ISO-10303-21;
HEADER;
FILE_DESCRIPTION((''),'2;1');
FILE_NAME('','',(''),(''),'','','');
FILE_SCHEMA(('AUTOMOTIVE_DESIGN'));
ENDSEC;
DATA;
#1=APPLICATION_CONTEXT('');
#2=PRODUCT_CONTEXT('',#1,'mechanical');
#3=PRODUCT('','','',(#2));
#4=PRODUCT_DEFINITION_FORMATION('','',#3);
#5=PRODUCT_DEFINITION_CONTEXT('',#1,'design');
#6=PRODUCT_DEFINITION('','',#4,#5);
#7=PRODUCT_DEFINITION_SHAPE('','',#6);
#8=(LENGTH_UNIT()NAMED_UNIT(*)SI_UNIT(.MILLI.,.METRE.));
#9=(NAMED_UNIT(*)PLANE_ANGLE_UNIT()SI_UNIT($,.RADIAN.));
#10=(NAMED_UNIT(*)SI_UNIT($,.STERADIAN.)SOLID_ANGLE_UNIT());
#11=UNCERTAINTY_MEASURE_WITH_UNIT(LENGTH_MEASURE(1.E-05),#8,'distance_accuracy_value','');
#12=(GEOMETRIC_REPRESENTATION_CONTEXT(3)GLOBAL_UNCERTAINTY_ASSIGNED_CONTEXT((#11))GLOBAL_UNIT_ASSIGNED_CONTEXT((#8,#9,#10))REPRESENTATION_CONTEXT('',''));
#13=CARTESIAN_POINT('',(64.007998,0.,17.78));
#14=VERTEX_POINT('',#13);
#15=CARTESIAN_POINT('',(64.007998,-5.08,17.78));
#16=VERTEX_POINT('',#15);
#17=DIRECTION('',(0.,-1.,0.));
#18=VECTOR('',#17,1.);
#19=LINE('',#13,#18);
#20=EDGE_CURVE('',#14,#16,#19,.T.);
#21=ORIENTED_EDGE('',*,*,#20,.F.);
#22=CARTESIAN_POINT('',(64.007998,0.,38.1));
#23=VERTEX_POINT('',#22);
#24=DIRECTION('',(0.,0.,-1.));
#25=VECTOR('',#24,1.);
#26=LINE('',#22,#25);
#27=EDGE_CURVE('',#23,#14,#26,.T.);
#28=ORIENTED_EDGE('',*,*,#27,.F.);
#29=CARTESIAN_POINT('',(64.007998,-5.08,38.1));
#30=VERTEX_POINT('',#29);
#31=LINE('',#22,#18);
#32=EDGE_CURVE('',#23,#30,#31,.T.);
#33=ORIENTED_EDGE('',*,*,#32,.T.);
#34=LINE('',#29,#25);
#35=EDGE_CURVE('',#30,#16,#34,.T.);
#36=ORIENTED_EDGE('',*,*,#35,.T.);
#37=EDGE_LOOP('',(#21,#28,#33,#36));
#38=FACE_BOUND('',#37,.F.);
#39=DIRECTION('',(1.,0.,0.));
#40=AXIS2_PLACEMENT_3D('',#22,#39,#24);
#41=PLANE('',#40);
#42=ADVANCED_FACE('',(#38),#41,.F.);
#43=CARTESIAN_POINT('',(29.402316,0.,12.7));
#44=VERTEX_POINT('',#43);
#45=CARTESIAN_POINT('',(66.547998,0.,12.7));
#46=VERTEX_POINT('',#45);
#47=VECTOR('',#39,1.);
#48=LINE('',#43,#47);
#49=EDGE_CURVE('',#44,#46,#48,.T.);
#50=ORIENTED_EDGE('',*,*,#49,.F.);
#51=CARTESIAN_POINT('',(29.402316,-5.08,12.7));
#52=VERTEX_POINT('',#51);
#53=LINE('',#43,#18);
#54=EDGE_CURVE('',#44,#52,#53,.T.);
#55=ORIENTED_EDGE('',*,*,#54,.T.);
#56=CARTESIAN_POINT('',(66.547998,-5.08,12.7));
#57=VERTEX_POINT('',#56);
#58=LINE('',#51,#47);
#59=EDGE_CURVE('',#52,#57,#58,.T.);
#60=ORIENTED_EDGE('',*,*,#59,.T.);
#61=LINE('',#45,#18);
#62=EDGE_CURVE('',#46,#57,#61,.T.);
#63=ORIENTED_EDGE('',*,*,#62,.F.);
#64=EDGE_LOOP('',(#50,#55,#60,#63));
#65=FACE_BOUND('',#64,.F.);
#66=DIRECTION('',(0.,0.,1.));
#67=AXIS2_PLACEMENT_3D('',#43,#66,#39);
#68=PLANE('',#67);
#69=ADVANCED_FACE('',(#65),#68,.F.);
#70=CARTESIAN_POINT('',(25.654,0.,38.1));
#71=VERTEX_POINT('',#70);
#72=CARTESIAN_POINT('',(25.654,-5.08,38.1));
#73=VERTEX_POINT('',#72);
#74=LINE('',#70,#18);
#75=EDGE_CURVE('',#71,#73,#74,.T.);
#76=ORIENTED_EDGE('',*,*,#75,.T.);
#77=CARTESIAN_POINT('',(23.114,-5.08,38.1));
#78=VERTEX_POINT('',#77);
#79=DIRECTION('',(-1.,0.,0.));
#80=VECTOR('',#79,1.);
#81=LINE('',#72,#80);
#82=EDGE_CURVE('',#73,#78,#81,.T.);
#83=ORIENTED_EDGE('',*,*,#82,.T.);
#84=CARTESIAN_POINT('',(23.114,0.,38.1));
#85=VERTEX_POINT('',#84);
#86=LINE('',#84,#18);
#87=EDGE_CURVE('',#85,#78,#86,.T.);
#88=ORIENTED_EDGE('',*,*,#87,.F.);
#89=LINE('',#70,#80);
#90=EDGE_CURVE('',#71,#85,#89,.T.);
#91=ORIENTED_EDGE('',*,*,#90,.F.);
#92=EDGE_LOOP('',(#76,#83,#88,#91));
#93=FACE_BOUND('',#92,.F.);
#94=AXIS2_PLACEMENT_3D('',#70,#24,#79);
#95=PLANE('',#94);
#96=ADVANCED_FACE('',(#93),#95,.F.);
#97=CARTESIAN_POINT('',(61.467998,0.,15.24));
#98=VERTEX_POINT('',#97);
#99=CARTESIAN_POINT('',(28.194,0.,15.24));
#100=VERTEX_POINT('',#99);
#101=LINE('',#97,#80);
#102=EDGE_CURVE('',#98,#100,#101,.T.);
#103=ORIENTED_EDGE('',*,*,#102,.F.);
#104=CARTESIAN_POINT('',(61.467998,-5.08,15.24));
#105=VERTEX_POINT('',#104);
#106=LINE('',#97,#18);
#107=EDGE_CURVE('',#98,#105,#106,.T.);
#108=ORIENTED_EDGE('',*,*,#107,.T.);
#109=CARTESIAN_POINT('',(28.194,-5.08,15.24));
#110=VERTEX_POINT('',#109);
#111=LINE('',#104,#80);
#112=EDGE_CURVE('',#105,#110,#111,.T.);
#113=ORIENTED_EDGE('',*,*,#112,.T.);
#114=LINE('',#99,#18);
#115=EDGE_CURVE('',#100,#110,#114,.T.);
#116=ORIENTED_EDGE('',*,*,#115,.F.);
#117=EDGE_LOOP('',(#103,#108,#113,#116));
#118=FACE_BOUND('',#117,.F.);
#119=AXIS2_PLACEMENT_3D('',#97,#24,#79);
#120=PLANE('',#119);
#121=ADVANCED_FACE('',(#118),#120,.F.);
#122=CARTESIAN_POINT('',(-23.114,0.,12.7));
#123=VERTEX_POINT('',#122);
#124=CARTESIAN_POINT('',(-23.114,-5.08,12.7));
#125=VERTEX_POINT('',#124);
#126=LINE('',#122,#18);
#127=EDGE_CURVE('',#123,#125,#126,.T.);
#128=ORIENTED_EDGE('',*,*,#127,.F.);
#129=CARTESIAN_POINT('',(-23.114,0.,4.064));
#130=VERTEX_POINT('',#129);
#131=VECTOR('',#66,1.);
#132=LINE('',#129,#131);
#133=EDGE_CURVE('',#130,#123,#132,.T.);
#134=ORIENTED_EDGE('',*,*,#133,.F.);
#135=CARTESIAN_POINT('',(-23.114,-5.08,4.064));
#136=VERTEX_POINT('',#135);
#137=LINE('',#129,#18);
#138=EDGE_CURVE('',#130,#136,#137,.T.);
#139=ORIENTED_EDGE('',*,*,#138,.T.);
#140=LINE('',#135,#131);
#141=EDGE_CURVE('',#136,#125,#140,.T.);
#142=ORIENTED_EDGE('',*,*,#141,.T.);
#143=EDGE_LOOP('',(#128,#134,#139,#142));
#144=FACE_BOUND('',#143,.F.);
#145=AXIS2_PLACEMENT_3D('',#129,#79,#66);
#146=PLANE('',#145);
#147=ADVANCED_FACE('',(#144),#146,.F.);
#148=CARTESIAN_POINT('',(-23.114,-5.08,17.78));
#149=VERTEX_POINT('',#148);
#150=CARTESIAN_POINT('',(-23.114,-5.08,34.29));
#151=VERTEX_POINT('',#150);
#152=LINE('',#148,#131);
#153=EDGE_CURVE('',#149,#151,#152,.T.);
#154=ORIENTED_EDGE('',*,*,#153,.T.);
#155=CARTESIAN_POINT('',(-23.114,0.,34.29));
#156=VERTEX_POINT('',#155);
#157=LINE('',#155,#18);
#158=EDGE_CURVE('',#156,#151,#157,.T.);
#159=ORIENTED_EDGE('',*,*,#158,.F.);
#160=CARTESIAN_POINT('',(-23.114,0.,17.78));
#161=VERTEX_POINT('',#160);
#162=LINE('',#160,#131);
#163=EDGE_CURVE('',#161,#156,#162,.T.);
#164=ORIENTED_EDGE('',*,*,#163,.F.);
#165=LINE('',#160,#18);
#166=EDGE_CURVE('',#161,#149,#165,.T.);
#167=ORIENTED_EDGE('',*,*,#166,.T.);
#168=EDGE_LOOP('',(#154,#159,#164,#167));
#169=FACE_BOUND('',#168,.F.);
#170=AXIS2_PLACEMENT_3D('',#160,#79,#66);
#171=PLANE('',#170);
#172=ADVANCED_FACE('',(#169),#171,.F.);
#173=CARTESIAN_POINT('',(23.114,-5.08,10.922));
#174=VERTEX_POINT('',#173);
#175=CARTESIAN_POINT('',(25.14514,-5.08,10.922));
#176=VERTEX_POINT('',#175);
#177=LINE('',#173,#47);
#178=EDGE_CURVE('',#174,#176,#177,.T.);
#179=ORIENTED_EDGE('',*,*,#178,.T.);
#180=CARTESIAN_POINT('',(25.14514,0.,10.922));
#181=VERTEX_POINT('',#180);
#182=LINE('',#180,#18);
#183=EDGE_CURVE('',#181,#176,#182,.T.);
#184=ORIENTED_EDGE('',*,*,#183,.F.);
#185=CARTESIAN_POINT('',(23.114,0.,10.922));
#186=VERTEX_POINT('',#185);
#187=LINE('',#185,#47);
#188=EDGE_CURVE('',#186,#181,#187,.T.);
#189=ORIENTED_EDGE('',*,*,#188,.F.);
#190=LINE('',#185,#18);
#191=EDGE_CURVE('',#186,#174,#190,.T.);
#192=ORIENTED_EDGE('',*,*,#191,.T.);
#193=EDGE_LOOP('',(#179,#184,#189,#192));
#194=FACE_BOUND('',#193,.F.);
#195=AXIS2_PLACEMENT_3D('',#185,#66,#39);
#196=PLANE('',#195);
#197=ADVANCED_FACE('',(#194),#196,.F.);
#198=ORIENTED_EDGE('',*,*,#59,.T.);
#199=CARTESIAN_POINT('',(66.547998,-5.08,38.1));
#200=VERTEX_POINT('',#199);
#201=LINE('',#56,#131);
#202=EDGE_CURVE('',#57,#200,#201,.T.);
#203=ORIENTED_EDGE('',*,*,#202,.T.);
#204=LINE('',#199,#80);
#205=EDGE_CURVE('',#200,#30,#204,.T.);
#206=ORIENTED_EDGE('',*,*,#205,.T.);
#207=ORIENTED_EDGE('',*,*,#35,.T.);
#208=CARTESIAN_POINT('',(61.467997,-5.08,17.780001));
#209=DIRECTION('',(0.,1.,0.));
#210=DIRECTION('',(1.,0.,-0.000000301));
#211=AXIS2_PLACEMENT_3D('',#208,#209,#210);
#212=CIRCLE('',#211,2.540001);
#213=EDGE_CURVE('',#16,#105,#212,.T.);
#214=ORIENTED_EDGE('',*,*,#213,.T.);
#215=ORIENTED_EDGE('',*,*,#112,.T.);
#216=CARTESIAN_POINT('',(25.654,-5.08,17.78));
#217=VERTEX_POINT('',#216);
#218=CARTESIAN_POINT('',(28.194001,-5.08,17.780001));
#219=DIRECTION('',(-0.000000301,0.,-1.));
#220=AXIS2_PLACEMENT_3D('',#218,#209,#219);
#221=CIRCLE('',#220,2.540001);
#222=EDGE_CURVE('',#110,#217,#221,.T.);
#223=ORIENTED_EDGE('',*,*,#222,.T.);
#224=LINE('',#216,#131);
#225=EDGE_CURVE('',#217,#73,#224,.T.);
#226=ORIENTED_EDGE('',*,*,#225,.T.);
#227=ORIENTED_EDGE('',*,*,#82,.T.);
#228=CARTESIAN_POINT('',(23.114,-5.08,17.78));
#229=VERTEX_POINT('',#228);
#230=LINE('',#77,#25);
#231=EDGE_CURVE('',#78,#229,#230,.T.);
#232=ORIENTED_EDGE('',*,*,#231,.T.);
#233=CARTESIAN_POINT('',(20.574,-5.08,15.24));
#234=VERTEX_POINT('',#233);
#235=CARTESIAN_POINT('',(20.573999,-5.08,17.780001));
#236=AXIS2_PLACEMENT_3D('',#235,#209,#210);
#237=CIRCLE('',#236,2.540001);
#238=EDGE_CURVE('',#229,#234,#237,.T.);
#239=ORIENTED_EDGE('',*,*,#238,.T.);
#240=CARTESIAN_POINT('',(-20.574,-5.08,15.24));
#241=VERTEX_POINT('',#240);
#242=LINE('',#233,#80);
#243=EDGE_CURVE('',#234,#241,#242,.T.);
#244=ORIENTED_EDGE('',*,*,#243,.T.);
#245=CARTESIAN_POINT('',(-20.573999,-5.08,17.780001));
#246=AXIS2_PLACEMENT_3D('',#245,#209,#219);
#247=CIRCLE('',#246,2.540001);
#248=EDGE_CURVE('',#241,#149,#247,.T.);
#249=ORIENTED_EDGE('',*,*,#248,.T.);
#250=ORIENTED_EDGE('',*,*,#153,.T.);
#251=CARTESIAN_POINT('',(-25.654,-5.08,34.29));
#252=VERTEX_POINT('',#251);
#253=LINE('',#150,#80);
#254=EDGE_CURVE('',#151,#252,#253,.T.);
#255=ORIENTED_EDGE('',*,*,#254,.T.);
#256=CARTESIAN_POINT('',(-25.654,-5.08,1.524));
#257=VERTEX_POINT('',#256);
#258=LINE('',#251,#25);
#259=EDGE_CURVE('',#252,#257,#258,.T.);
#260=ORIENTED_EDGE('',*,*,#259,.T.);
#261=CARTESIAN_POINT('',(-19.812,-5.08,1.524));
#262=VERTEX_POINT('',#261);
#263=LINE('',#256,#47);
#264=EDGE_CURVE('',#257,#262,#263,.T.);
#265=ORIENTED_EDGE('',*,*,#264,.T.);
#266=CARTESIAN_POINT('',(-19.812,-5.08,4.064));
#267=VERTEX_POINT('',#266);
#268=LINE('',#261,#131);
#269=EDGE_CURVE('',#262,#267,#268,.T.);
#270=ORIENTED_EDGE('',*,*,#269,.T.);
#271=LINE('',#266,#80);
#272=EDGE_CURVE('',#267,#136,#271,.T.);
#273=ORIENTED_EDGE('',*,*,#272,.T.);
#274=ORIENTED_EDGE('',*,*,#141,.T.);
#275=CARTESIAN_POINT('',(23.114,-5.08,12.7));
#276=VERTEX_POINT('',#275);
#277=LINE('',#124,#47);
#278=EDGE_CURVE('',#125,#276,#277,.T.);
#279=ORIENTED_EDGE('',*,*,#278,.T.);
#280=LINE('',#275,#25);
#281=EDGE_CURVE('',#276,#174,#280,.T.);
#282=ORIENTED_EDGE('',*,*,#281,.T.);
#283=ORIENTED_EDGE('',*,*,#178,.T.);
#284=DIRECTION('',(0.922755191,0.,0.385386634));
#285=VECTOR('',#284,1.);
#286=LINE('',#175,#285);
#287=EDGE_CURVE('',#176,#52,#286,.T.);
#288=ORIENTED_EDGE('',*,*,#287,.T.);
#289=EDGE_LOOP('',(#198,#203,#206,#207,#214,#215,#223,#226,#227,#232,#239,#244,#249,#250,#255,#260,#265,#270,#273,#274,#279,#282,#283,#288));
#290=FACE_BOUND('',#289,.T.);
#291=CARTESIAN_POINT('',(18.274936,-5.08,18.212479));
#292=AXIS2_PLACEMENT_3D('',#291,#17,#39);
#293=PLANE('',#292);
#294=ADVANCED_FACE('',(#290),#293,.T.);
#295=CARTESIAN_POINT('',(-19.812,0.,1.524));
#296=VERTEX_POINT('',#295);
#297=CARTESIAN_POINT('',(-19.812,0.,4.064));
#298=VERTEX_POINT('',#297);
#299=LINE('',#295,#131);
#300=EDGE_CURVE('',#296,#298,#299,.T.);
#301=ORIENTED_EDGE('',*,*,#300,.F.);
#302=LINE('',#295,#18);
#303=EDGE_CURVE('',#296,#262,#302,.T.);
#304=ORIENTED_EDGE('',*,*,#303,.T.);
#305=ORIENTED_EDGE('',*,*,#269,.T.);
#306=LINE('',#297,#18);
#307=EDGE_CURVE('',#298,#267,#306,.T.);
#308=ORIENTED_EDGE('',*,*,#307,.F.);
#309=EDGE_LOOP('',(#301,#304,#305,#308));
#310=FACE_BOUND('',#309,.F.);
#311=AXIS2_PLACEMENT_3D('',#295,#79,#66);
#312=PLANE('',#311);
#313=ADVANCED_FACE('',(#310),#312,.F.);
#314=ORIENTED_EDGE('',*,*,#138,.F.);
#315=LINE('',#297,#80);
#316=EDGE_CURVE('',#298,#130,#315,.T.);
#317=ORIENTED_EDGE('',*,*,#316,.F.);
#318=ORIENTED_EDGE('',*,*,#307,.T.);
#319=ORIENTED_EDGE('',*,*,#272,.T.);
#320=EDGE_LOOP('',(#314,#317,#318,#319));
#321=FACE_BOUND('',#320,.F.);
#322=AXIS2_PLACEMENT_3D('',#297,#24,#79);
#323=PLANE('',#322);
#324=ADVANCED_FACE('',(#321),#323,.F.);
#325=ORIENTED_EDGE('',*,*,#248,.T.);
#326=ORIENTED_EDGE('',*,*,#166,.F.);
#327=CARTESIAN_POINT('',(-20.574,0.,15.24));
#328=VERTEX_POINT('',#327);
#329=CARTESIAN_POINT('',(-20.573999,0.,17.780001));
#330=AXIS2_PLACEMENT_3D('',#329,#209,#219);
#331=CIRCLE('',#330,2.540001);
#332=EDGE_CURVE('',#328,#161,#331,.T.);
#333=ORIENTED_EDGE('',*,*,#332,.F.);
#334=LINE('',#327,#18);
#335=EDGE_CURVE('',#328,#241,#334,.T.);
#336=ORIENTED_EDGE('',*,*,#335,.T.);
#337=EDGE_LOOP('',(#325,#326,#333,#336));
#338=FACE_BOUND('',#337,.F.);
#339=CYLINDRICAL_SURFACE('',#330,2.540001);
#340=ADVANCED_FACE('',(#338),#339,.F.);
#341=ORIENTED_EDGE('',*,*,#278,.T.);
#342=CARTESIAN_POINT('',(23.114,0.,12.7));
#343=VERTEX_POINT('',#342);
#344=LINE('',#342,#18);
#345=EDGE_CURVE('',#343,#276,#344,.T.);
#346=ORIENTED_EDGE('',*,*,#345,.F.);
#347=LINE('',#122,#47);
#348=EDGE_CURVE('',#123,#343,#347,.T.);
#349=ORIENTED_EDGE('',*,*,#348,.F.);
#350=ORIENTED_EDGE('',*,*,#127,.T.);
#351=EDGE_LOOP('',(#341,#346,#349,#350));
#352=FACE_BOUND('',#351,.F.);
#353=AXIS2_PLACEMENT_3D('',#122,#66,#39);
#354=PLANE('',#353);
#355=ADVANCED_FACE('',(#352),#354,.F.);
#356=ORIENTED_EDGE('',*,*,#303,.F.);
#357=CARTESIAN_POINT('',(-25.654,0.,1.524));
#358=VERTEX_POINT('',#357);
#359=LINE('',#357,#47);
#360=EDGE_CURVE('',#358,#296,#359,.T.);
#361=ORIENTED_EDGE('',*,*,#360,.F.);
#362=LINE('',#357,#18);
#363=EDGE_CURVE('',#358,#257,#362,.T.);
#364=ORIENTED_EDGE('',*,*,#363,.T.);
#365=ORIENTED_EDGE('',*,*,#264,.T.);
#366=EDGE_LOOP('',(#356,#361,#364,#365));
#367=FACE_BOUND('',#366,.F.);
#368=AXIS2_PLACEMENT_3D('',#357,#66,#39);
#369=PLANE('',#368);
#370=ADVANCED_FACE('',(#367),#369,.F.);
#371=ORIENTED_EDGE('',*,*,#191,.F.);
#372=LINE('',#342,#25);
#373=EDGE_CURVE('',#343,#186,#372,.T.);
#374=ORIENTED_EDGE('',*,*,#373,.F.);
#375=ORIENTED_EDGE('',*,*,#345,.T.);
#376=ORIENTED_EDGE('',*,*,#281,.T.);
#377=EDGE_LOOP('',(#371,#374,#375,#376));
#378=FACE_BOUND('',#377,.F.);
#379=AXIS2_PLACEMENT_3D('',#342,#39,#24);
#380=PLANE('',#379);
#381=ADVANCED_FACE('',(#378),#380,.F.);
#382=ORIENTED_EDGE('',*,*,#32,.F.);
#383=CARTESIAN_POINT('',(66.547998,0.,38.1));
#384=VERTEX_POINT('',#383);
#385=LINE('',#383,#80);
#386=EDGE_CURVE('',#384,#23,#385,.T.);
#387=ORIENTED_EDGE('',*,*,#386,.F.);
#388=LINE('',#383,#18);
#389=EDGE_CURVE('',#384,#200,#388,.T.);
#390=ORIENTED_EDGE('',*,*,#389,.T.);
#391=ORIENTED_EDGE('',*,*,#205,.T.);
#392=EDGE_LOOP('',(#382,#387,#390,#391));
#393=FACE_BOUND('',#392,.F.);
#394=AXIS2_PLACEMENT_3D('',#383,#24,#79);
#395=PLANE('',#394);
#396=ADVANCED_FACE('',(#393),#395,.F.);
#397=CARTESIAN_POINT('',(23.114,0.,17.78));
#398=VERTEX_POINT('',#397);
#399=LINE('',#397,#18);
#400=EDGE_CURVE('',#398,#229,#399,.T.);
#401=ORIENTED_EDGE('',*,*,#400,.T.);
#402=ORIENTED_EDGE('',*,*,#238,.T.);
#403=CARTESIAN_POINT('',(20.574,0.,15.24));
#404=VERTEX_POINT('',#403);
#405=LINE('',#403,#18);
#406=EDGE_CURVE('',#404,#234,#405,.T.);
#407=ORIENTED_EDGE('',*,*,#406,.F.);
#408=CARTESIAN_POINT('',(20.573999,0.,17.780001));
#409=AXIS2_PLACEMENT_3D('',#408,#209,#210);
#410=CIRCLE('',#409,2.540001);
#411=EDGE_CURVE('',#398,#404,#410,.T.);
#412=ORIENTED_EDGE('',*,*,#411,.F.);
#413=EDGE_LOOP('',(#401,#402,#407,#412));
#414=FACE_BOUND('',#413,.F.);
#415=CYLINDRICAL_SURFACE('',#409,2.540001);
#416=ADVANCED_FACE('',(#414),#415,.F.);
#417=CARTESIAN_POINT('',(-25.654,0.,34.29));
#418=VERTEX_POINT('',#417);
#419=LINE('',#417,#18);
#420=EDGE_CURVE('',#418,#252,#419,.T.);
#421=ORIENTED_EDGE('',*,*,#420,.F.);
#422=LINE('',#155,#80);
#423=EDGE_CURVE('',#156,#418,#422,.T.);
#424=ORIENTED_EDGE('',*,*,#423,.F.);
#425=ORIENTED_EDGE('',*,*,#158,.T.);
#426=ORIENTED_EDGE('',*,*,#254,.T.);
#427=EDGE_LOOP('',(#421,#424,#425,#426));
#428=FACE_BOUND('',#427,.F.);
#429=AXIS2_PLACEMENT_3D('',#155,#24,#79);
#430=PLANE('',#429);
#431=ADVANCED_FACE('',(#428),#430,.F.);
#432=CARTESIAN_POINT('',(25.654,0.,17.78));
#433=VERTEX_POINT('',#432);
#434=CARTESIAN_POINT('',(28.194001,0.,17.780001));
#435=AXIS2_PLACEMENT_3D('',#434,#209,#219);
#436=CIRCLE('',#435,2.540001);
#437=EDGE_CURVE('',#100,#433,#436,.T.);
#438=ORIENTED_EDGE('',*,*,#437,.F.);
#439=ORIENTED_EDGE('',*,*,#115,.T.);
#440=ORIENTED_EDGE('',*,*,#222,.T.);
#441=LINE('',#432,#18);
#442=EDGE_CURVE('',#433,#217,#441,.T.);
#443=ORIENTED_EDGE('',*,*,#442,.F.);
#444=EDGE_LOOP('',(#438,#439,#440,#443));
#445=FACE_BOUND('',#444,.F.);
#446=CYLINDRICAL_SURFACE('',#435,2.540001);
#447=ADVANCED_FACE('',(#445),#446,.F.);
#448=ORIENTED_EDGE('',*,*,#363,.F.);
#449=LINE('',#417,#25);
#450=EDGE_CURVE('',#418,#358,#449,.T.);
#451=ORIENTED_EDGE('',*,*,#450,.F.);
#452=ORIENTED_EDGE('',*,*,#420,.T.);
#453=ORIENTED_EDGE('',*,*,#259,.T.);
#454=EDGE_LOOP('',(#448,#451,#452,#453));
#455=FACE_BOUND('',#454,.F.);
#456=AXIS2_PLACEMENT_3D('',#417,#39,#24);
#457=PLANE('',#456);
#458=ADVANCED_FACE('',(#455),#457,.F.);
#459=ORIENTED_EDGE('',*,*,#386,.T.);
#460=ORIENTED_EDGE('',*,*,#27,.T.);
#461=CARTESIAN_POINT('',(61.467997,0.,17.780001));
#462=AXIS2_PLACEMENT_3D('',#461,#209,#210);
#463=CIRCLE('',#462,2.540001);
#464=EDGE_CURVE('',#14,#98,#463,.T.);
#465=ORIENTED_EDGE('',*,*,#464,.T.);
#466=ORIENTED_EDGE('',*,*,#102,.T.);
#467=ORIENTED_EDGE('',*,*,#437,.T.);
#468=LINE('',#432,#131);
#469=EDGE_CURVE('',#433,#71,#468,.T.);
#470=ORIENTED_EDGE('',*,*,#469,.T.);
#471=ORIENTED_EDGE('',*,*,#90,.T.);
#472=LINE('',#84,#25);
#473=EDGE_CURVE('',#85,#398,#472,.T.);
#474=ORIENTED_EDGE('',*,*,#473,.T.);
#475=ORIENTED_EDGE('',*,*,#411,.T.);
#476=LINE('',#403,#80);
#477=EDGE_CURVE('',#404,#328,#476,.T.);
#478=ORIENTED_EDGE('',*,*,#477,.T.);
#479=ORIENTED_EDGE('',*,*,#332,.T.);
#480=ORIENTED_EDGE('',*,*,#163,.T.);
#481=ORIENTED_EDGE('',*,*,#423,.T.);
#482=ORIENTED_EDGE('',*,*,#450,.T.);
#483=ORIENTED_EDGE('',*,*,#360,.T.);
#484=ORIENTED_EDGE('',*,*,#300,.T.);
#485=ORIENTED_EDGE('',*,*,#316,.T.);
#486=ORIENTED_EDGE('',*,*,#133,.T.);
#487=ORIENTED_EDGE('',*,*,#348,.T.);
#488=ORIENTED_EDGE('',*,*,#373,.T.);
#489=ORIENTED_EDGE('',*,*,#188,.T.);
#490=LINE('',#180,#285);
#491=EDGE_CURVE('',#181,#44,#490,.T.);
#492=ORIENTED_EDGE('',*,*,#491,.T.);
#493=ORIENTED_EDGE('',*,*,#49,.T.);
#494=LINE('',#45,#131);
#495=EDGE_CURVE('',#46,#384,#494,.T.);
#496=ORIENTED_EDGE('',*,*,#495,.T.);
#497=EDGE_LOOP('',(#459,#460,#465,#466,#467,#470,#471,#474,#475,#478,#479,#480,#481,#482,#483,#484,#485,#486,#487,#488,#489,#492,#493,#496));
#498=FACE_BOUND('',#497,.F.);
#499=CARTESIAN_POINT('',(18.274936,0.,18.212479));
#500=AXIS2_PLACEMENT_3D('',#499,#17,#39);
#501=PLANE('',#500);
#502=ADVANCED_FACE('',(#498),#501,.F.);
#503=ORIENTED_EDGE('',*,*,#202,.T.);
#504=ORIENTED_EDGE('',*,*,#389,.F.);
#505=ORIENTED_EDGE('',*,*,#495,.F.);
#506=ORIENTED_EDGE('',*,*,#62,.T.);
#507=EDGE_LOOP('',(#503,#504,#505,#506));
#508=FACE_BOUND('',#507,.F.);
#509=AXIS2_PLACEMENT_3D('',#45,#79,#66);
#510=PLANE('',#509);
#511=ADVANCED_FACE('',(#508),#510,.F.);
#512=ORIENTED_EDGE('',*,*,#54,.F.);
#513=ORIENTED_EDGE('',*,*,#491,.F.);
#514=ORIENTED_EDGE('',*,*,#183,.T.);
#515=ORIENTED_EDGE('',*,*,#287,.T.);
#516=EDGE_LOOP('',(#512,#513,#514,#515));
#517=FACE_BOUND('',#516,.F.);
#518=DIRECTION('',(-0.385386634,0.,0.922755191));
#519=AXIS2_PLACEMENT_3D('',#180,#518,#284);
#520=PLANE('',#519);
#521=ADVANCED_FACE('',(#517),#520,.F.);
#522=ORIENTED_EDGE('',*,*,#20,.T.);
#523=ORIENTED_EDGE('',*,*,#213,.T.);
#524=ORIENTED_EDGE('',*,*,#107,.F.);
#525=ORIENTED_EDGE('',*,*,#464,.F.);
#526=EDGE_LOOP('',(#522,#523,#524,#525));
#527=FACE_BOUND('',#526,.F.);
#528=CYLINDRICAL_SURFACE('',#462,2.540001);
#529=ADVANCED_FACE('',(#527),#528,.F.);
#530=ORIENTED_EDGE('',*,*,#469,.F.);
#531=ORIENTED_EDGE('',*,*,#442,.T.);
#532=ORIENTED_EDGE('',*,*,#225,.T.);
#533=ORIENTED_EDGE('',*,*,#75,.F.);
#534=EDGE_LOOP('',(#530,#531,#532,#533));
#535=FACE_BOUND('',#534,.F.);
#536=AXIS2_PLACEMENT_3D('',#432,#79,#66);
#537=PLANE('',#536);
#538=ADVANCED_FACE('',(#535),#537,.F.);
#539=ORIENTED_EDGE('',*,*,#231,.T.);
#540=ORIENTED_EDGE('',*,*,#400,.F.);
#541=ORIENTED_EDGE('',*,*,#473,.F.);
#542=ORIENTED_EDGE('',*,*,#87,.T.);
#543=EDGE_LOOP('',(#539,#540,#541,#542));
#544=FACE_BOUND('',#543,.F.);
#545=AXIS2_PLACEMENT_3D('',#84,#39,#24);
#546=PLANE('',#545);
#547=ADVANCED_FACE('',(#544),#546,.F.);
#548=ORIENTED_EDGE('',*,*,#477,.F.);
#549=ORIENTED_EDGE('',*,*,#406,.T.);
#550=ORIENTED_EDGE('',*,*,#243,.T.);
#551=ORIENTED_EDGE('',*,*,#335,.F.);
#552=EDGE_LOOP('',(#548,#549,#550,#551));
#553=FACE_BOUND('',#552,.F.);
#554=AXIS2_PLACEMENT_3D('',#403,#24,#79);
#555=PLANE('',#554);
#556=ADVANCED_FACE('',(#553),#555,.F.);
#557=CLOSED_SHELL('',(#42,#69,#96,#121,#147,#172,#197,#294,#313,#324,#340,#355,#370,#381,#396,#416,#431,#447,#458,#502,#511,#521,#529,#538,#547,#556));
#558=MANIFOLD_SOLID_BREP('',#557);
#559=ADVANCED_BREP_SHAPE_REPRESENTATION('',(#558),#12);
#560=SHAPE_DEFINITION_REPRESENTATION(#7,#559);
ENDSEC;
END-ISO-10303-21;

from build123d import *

# Parameters (mm, degrees)
F1_DEPTH = 5.08


with BuildPart() as f1:
    # F0 (on Front) → F1 (new body)
    with BuildSketch(Plane.XZ):
        with BuildLine():
            Line((-23.114, 4.064), (-23.114, 12.7))
            Line((-23.114, 12.7), (23.114, 12.7))
            Line((23.114, 12.7), (23.114, 10.922))
            Line((23.114, 10.922), (25.14514, 10.922))
            Line((25.14514, 10.922), (29.402316, 12.7))
            Line((29.402316, 12.7), (66.547998, 12.7))
            Line((66.547998, 12.7), (66.547998, 38.1))
            Line((66.547998, 38.1), (64.007998, 38.1))
            Line((64.007998, 38.1), (64.007998, 17.78))
            ThreePointArc((64.007998, 17.78), (63.264049, 15.983949), (61.467998, 15.24))
            Line((61.467998, 15.24), (28.194, 15.24))
            ThreePointArc((28.194, 15.24), (26.397949, 15.983949), (25.654, 17.78))
            Line((25.654, 17.78), (25.654, 38.1))
            Line((25.654, 38.1), (23.114, 38.1))
            Line((23.114, 38.1), (23.114, 17.78))
            ThreePointArc((23.114, 17.78), (22.370051, 15.983949), (20.574, 15.24))
            Line((20.574, 15.24), (-20.574, 15.24))
            ThreePointArc((-20.574, 15.24), (-22.370051, 15.983949), (-23.114, 17.78))
            Line((-23.114, 17.78), (-23.114, 34.29))
            Line((-23.114, 34.29), (-25.654, 34.29))
            Line((-25.654, 34.29), (-25.654, 15.24))
            Line((-25.654, 15.24), (-25.654, 1.524))
            Line((-25.654, 1.524), (-19.812, 1.524))
            Line((-19.812, 1.524), (-19.812, 4.064))
            Line((-19.812, 4.064), (-23.114, 4.064))
        make_face()
    extrude(amount=F1_DEPTH)


solid = f1.part
